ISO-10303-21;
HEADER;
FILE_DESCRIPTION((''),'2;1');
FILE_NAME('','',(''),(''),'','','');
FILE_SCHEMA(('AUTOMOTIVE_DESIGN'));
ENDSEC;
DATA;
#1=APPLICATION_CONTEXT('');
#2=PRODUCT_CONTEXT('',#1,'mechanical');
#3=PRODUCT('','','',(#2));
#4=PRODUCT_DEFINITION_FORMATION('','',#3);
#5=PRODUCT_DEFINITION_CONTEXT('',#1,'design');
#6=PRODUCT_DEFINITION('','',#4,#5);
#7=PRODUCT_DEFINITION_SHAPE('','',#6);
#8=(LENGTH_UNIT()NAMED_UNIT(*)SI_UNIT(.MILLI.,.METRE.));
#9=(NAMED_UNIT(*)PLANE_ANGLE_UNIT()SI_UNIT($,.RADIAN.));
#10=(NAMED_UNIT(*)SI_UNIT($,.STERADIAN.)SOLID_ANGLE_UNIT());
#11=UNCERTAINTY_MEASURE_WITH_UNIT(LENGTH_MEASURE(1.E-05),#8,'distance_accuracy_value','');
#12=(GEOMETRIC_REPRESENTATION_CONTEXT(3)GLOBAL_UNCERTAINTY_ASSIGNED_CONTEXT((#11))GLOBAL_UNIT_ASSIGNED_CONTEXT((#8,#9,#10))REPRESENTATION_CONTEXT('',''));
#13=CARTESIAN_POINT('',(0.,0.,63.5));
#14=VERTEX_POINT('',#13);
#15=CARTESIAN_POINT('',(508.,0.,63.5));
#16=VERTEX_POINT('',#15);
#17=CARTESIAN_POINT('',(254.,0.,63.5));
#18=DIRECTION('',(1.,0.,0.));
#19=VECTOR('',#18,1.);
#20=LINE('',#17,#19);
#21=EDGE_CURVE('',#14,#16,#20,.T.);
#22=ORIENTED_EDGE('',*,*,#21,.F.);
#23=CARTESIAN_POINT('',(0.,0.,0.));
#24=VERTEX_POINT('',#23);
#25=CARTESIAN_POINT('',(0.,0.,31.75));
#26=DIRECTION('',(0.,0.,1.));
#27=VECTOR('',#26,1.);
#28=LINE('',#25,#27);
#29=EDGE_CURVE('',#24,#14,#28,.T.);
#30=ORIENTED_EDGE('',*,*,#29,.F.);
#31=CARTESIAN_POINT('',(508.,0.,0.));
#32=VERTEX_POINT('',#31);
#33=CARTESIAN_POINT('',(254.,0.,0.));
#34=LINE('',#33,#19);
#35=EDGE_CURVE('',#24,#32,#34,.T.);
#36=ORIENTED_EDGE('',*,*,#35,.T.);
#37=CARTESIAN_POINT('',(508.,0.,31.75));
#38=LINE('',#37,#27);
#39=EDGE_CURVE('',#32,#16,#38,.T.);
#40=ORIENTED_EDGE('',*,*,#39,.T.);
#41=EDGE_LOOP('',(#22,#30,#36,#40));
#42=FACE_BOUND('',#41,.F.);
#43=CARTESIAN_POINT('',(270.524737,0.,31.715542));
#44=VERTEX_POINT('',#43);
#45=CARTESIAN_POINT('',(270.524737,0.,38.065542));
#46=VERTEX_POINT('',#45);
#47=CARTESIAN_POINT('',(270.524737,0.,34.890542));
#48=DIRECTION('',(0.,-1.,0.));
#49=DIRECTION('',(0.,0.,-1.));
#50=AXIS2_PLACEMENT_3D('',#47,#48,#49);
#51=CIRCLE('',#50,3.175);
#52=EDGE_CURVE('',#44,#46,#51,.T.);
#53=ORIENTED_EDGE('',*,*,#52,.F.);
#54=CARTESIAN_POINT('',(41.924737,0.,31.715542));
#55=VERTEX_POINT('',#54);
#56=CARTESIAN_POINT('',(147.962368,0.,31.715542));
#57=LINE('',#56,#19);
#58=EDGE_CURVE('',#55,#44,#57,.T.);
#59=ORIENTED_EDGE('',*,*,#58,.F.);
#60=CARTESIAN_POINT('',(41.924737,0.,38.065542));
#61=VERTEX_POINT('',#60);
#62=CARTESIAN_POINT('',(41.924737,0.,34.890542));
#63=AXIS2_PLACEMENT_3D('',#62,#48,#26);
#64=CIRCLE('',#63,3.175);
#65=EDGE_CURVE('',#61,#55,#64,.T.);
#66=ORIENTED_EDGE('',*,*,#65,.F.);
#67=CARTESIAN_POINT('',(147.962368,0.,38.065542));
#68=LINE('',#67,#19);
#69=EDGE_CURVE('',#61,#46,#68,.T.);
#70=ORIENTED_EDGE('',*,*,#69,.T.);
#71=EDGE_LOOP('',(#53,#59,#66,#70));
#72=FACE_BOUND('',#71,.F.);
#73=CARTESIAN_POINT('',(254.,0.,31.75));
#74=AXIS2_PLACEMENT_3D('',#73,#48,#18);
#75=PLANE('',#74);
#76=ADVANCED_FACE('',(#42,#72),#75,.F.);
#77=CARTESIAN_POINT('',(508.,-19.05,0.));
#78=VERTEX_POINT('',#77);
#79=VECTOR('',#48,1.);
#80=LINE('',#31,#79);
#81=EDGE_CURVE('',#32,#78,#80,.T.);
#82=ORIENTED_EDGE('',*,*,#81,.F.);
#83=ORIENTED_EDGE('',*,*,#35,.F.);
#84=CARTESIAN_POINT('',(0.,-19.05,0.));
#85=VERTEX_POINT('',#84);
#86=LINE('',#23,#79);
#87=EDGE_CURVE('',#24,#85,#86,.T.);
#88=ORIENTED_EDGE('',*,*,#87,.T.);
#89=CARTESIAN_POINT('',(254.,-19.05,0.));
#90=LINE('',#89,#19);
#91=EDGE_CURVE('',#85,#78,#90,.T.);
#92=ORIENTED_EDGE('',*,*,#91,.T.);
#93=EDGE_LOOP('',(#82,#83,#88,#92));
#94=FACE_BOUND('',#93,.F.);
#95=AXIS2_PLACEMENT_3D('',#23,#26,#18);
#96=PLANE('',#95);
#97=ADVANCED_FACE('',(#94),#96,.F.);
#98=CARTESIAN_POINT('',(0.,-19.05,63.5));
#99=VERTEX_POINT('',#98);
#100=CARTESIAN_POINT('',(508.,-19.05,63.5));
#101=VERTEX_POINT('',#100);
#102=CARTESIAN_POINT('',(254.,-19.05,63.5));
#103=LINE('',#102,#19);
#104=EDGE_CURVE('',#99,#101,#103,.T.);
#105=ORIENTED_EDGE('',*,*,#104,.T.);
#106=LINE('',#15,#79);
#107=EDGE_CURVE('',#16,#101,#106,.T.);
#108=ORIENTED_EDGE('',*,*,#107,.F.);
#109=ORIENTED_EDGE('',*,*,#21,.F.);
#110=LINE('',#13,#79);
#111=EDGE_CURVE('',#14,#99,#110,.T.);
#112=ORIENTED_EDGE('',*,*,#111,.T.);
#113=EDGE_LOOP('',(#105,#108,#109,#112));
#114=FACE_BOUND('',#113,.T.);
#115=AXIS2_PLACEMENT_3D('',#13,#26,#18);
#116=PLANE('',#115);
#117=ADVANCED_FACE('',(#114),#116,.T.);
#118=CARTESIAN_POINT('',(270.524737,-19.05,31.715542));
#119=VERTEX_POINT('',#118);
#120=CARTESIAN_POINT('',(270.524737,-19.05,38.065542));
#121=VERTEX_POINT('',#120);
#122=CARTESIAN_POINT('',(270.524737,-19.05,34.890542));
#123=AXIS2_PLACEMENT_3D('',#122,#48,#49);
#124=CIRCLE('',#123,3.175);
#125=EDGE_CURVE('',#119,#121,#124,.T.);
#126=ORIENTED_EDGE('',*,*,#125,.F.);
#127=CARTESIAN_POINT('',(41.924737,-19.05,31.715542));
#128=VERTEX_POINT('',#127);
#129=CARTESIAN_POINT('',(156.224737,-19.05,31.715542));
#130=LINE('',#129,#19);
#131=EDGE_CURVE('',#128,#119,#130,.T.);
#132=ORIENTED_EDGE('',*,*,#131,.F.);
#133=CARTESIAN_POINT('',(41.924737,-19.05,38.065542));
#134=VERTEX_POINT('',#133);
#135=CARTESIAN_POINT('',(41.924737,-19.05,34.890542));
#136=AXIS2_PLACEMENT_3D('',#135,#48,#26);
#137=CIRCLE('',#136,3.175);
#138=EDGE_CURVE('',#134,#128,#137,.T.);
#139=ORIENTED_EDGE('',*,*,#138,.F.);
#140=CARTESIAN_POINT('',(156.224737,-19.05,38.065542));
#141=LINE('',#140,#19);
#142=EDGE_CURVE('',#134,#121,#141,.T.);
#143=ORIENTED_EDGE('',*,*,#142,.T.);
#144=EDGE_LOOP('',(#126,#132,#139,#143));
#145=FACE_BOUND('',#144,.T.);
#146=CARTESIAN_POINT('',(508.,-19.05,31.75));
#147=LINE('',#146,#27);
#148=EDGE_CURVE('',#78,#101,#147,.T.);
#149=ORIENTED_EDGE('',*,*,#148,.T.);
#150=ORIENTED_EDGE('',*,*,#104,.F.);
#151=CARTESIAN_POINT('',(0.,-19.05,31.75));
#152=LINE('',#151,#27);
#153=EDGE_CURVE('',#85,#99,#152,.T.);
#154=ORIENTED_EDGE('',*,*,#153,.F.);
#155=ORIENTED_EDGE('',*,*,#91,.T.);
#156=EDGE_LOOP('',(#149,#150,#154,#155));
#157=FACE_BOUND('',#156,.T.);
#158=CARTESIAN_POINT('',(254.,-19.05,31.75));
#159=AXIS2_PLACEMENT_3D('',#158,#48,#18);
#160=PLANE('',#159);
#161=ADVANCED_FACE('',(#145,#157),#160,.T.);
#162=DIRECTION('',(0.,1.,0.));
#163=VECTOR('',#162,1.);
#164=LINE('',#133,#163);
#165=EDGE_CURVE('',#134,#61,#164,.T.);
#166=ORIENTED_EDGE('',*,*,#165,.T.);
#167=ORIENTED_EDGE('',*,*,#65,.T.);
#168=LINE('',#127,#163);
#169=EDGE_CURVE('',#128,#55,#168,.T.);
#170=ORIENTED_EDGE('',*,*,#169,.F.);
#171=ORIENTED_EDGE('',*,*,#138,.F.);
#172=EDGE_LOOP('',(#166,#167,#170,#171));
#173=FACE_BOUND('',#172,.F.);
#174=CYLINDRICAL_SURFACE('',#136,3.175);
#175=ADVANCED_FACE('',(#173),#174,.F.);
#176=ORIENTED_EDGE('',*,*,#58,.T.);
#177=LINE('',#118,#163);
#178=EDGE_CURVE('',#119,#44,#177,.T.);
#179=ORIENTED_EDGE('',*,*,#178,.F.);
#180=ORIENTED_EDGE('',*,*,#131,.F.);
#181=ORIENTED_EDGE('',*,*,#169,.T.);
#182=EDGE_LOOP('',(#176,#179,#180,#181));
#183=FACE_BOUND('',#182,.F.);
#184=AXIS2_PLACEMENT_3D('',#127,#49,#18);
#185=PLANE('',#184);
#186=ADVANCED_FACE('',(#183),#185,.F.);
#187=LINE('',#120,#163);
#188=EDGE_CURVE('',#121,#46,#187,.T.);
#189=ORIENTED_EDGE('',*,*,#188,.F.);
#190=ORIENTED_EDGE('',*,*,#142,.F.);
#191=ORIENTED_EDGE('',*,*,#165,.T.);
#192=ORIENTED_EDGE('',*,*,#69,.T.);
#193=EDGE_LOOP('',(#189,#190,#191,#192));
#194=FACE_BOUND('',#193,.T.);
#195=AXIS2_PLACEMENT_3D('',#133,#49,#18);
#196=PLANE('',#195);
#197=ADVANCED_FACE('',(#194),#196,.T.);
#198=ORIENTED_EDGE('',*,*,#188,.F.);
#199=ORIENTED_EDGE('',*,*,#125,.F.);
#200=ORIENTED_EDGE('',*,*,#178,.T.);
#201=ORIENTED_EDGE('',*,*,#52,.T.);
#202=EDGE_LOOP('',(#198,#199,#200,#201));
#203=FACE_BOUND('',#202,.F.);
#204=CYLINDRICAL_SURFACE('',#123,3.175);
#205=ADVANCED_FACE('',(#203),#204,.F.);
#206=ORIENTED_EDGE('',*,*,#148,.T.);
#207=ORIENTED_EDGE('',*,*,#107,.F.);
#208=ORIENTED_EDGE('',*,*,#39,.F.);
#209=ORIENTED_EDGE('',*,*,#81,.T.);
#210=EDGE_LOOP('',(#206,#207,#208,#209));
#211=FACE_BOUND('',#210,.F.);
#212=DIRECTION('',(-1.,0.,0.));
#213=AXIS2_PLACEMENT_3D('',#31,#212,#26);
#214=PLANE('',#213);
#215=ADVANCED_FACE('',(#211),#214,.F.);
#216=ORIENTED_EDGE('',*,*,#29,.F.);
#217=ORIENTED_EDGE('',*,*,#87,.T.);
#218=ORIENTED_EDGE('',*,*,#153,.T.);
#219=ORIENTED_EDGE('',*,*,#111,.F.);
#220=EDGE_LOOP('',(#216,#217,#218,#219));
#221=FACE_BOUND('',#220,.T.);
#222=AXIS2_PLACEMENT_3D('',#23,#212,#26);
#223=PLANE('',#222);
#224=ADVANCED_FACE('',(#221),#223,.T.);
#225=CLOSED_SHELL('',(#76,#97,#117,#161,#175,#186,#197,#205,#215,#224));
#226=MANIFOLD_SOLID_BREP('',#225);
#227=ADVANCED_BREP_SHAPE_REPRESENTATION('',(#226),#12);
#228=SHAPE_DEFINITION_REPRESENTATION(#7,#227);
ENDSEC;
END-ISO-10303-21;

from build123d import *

# Parameters (mm, degrees)
F0_W     = 508
F0_H     = 63.5
F1_DEPTH = 19.05
F2_W     = 228.6
F2_H     = 6.35
F3_DEPTH = 19.051


with BuildPart() as f1:
    # F0 (on Front) → F1 (new body)
    with BuildSketch(Plane.XZ):
        with Locations((254, 31.75)):
            Rectangle(F0_W, F0_H)
    extrude(amount=F1_DEPTH)

    # F2 (on face) → F3 (cut, through all)
    with BuildSketch(Plane.XZ.offset(19.05)):
        with Locations((156.224737, 34.890542)):
            Rectangle(F2_W, F2_H)
        with BuildLine():
            ThreePointArc((41.924737, 38.065542), (38.749737, 34.890542), (41.924737, 31.715542))
            Line((41.924737, 31.715542), (41.924737, 38.065542))
        make_face()
        with BuildLine():
            Line((270.524737, 38.065542), (270.524737, 31.715542))
            ThreePointArc((270.524737, 31.715542), (273.699737, 34.890542), (270.524737, 38.065542))
        make_face()
    extrude(amount=-F3_DEPTH, mode=Mode.SUBTRACT)


solid = f1.part
